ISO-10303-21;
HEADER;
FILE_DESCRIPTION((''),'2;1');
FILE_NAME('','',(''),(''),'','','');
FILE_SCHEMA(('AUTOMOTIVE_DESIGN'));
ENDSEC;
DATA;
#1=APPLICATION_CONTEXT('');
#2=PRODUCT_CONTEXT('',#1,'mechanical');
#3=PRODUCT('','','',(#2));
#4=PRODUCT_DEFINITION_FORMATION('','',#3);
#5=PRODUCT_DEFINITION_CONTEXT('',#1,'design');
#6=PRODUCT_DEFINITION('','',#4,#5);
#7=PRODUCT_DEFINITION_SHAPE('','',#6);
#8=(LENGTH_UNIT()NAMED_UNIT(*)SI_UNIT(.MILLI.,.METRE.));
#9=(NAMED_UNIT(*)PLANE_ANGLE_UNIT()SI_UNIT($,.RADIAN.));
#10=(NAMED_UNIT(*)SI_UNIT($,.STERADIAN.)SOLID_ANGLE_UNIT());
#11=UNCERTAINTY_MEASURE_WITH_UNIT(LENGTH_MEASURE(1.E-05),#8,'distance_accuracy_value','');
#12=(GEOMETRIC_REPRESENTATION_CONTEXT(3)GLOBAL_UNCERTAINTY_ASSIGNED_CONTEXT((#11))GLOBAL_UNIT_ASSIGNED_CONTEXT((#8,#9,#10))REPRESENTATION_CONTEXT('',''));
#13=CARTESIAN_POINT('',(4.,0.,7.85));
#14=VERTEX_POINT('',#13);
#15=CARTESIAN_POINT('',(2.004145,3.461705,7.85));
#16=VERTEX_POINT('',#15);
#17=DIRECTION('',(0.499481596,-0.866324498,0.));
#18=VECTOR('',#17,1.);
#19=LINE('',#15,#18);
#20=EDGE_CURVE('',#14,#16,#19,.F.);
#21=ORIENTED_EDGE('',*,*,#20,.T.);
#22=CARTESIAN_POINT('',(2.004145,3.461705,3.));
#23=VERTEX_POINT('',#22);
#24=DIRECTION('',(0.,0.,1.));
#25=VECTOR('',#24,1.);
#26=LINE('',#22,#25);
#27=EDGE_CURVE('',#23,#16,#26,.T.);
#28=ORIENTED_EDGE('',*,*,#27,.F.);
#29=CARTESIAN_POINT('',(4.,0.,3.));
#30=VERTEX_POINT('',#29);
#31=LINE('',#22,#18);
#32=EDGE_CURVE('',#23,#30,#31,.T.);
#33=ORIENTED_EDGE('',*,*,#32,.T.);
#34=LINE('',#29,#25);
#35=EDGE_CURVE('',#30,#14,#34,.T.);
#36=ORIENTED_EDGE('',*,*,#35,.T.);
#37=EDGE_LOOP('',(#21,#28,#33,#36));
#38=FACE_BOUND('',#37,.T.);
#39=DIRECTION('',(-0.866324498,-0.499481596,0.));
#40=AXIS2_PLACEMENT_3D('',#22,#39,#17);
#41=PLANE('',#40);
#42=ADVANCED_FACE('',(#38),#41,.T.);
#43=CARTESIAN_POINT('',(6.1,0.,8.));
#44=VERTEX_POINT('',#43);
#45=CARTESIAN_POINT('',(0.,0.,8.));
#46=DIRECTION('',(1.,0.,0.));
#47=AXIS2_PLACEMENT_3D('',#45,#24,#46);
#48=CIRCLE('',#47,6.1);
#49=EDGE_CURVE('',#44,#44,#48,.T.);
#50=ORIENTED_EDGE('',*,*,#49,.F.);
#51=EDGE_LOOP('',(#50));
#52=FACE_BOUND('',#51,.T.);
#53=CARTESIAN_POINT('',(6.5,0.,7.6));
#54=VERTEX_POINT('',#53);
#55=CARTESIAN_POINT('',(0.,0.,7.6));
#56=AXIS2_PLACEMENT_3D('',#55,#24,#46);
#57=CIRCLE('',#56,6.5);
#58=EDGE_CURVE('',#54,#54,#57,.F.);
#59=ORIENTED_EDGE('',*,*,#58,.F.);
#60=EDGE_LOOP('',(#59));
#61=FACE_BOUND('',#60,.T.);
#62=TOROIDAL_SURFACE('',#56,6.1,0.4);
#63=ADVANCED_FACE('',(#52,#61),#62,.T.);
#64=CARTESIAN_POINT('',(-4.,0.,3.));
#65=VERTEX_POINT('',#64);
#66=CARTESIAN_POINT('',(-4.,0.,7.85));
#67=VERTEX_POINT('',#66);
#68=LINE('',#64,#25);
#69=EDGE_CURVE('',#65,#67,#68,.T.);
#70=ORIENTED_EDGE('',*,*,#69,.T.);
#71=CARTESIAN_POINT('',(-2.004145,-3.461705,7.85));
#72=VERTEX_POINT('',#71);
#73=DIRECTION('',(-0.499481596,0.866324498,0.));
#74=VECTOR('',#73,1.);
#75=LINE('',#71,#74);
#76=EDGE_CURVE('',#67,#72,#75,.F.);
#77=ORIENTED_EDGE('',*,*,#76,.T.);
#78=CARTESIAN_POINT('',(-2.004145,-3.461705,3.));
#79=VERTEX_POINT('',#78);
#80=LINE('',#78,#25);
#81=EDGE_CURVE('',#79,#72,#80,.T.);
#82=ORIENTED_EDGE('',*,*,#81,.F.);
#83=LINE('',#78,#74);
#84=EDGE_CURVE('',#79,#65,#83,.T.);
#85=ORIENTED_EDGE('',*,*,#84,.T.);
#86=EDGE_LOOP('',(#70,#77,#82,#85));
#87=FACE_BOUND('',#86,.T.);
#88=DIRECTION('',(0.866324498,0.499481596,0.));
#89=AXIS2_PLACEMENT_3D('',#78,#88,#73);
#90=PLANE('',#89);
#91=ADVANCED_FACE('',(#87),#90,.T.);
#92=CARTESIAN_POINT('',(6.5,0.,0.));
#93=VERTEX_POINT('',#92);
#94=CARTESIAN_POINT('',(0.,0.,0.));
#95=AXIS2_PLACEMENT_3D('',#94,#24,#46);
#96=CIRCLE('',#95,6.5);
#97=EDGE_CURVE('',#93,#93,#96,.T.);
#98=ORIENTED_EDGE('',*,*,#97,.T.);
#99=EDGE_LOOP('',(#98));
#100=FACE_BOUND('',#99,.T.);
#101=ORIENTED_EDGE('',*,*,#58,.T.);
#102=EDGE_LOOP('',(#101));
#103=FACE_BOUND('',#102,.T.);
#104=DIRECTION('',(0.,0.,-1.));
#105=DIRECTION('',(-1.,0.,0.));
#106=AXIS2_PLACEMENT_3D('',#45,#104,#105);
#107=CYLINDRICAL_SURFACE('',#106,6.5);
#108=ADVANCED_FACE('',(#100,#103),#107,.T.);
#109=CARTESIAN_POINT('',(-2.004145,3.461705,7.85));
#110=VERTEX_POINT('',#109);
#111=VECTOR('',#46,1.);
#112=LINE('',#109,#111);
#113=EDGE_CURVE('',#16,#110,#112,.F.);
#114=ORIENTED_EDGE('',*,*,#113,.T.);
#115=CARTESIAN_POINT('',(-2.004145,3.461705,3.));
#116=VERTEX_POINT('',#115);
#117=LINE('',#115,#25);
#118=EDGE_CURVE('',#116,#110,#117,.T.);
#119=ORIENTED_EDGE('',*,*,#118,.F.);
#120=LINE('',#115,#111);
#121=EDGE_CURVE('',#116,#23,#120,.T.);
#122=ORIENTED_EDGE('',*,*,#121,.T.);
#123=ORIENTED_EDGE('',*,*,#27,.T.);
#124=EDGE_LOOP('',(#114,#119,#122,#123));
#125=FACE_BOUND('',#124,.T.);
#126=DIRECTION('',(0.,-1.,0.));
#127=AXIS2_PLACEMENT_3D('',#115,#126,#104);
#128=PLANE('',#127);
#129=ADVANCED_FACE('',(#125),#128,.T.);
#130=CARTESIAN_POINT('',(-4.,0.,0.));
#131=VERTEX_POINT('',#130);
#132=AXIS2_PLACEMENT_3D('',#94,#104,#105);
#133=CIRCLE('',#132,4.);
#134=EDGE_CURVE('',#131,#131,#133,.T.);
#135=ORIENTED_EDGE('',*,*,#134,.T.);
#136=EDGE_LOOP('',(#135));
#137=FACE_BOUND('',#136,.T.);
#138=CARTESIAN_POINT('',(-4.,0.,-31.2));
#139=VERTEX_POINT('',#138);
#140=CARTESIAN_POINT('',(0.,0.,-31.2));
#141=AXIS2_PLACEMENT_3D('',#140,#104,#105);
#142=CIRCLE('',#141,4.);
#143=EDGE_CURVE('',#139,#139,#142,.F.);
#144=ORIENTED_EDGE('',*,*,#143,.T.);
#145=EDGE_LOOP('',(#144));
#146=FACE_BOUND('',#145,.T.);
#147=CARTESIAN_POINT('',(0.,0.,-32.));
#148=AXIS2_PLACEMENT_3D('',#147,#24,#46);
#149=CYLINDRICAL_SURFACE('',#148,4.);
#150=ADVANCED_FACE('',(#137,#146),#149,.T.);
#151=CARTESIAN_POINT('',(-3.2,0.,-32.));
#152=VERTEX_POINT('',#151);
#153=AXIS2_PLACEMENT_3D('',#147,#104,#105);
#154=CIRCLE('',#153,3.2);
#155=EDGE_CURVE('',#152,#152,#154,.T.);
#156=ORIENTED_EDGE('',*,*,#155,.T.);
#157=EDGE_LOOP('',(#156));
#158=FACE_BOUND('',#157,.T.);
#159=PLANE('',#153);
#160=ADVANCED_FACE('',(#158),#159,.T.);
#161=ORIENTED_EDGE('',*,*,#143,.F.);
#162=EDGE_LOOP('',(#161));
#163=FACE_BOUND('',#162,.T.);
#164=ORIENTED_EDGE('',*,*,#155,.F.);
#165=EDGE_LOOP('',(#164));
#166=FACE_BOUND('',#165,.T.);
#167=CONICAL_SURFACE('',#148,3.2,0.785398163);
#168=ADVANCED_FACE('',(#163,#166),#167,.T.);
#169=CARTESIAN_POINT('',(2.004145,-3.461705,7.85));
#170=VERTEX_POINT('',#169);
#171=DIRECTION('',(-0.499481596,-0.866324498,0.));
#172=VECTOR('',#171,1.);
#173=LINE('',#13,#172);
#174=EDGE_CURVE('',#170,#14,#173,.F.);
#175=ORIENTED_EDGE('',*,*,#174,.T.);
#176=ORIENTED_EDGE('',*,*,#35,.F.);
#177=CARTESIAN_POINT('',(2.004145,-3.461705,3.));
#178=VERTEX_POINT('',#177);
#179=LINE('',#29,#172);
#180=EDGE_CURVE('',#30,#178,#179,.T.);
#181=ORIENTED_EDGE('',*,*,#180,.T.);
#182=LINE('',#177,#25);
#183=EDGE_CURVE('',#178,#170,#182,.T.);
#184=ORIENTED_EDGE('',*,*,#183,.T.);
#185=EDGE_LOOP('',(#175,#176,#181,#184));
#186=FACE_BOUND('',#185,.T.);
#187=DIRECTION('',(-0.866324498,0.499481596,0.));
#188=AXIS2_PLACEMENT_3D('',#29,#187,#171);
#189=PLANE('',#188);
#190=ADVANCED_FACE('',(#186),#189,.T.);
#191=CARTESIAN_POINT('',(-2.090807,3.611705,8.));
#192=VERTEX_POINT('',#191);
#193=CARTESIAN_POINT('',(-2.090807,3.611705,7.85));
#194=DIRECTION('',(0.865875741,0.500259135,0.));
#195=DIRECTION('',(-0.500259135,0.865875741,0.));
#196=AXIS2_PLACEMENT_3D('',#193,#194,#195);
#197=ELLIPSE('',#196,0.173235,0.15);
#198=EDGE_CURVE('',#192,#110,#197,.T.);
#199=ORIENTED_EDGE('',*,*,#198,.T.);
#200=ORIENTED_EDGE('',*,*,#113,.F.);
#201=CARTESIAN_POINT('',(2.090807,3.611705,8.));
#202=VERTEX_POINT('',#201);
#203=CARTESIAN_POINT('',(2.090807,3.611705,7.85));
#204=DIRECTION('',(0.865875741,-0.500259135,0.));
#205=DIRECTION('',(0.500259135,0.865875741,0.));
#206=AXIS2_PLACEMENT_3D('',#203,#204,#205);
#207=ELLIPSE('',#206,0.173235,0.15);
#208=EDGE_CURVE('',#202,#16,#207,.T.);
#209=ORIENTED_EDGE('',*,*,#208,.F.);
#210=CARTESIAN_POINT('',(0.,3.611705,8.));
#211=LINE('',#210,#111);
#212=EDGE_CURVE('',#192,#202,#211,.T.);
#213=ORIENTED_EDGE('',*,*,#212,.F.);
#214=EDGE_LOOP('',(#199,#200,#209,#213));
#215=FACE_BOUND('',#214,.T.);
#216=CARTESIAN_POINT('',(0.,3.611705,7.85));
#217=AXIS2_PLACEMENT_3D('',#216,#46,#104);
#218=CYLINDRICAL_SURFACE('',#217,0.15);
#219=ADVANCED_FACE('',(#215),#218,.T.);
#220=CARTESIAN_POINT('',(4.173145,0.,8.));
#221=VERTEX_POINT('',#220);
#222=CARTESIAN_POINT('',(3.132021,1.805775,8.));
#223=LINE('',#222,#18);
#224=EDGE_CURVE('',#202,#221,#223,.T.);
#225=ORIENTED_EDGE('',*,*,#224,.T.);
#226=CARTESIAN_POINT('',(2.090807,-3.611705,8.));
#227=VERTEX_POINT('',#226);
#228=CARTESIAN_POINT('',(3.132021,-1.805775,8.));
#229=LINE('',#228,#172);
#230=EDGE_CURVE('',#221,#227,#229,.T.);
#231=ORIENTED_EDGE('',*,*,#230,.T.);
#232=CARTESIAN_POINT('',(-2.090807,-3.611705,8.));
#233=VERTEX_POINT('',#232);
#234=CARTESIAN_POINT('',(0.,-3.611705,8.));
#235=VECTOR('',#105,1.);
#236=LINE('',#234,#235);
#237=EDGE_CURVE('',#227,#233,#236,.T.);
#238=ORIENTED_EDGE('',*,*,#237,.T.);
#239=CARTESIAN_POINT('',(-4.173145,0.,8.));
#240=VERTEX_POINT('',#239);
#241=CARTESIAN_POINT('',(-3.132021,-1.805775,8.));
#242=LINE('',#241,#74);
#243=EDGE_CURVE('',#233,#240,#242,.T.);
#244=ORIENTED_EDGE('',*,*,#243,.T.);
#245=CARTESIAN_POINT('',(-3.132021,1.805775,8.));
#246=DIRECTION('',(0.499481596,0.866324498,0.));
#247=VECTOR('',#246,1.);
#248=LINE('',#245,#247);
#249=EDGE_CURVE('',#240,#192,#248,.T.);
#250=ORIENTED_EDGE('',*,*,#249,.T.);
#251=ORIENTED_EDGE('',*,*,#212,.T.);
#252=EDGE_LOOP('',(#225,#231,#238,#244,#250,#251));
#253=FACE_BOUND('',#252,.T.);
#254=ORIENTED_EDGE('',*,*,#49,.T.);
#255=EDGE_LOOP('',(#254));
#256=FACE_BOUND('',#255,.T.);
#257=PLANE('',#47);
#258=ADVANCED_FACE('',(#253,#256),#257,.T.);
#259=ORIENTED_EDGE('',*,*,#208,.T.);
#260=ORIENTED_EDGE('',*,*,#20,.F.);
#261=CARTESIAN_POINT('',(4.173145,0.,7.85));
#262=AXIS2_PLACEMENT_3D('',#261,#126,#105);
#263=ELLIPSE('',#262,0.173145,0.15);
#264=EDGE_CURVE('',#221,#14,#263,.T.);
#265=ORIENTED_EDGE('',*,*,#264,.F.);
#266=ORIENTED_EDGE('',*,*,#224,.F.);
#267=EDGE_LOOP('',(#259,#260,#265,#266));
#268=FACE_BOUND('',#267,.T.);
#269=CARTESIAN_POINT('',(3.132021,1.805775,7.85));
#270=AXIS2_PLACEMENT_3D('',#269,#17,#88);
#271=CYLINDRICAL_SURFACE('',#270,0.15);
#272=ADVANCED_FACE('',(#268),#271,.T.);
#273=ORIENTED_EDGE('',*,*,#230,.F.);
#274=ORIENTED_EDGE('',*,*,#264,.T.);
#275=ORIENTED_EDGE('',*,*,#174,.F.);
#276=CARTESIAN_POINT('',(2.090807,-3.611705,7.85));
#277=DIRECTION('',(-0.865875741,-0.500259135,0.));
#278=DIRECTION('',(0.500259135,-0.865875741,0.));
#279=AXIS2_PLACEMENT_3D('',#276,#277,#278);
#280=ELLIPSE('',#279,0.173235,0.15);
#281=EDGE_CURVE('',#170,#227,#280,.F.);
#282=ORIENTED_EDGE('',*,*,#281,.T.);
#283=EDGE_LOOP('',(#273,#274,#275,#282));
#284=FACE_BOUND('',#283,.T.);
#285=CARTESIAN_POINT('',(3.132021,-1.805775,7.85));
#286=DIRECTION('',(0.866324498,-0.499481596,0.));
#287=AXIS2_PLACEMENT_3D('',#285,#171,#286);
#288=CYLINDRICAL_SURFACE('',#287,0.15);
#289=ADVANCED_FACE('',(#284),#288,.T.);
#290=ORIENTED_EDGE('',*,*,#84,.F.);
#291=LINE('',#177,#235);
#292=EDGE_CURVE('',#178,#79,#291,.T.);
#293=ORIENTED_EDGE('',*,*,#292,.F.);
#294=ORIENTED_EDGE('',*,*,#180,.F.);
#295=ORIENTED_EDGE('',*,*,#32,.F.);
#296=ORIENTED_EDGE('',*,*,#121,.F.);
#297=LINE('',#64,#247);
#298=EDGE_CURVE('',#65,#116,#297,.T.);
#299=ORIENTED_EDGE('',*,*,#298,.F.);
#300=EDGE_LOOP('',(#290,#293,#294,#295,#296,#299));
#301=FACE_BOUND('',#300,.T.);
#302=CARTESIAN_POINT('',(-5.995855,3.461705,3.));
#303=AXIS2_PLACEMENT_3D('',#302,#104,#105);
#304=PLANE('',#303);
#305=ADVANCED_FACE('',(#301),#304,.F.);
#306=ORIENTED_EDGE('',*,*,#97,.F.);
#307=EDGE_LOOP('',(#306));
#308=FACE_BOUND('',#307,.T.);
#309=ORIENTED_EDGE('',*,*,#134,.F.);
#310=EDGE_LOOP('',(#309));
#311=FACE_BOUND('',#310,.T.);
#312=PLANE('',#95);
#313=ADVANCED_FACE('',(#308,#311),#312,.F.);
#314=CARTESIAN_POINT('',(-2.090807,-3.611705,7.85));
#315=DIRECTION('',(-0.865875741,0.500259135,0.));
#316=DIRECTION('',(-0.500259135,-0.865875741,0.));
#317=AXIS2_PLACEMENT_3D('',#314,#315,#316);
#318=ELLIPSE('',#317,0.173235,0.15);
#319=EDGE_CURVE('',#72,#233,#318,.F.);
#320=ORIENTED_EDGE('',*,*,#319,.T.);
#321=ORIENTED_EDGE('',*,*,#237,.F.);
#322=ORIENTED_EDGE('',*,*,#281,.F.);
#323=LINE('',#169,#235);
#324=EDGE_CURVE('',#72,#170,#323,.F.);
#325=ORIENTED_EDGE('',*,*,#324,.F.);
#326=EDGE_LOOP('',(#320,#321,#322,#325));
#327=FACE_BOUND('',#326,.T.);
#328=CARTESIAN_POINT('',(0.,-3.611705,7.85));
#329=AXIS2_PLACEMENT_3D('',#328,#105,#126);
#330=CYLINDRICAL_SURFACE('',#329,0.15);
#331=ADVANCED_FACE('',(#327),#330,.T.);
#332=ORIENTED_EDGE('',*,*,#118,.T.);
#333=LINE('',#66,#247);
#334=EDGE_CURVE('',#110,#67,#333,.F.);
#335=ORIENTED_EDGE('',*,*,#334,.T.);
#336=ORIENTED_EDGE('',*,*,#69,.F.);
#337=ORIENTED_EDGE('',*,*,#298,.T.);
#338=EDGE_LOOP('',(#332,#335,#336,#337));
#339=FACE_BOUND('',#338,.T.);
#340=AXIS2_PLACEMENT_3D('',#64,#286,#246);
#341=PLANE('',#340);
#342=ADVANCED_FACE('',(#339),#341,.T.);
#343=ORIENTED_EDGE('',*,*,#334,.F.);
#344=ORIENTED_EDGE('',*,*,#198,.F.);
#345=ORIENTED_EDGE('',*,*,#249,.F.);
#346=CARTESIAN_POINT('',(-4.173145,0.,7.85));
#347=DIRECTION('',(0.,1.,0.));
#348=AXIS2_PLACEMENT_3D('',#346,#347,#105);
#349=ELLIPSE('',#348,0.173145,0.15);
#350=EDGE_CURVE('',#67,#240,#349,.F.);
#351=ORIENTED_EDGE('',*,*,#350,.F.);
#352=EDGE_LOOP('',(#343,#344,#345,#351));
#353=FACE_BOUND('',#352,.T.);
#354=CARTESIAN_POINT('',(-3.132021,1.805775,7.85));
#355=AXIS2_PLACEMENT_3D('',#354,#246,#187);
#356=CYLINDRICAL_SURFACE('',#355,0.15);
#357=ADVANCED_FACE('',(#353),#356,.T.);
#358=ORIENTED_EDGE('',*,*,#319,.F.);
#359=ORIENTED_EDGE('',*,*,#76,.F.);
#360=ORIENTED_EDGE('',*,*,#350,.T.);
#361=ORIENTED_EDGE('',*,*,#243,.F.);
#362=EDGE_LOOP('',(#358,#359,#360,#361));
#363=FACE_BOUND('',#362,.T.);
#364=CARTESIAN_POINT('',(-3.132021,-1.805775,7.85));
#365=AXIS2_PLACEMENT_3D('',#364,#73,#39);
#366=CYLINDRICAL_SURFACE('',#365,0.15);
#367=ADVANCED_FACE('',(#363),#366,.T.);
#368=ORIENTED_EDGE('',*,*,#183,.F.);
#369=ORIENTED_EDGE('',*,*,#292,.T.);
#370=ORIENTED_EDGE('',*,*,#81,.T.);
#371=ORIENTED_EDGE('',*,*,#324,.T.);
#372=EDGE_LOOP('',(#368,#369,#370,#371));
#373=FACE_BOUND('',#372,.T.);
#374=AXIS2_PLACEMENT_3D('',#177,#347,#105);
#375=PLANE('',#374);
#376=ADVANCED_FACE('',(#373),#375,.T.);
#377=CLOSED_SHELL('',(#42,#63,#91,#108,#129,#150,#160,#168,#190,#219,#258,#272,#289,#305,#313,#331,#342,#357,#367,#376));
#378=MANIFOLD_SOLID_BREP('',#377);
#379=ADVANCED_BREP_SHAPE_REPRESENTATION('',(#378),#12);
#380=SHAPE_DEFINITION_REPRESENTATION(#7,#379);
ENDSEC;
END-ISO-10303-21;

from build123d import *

# Parameters (mm, degrees)
ESQUISSE1_R             = 6.5
BASE_EXTRUSION_DEPTH    = 8
ENL_V_MAT_EXTRU_1_DEPTH = 5
CONG_1_R                = 0.4
CONG_2_R                = 0.15
ESQUISSE3_R             = 4
BOSS_EXTRU_1_DEPTH      = 32
CHANFREIN1_SIZE         = 0.8


with BuildPart() as part:
    # Esquisse1 → Base-Extrusion (new body)
    with BuildSketch(Plane.XY):
        Circle(ESQUISSE1_R)
    extrude(amount=BASE_EXTRUSION_DEPTH)

    # Esquisse2 → Enlèv. mat.-Extru.1 (cut)
    with BuildSketch(Plane.XY.offset(8)):
        Polygon((-4, 0), (-2.004145082, 3.461705142), (2.004145082, 3.461705142), (4, 0), (2.004145082, -3.461705142), (-2.004145082, -3.461705142), align=None)
    extrude(amount=-ENL_V_MAT_EXTRU_1_DEPTH, mode=Mode.SUBTRACT)

    # Congé1
    cong_1_edges = [part.edges().sort_by_distance(p)[0] for p in [
        (-6.5, 0, 8),
    ]]
    fillet(cong_1_edges, radius=CONG_1_R)

    # Congé2
    cong_2_edges = [part.edges().sort_by_distance(p)[0] for p in [
        (-3.002072541, -1.730852571, 8),
        (0, -3.461705142, 8),
        (3.002072541, -1.730852571, 8),
        (3.002072541, 1.730852571, 8),
        (0, 3.461705142, 8),
        (-3.002072541, 1.730852571, 8),
    ]]
    fillet(cong_2_edges, radius=CONG_2_R)

    # Esquisse3 → Boss.-Extru.1 (add)
    with BuildSketch(Plane(origin=(0, 0, 0), x_dir=(-1, 0, 0), z_dir=(0, 0, -1))):
        Circle(ESQUISSE3_R)
    extrude(amount=BOSS_EXTRU_1_DEPTH)

    # Chanfrein1
    chanfrein1_edges = [part.edges().sort_by_distance(p)[0] for p in [
        (4, 0, -32),
    ]]
    chamfer(chanfrein1_edges, length=CHANFREIN1_SIZE)


solid = part.part
